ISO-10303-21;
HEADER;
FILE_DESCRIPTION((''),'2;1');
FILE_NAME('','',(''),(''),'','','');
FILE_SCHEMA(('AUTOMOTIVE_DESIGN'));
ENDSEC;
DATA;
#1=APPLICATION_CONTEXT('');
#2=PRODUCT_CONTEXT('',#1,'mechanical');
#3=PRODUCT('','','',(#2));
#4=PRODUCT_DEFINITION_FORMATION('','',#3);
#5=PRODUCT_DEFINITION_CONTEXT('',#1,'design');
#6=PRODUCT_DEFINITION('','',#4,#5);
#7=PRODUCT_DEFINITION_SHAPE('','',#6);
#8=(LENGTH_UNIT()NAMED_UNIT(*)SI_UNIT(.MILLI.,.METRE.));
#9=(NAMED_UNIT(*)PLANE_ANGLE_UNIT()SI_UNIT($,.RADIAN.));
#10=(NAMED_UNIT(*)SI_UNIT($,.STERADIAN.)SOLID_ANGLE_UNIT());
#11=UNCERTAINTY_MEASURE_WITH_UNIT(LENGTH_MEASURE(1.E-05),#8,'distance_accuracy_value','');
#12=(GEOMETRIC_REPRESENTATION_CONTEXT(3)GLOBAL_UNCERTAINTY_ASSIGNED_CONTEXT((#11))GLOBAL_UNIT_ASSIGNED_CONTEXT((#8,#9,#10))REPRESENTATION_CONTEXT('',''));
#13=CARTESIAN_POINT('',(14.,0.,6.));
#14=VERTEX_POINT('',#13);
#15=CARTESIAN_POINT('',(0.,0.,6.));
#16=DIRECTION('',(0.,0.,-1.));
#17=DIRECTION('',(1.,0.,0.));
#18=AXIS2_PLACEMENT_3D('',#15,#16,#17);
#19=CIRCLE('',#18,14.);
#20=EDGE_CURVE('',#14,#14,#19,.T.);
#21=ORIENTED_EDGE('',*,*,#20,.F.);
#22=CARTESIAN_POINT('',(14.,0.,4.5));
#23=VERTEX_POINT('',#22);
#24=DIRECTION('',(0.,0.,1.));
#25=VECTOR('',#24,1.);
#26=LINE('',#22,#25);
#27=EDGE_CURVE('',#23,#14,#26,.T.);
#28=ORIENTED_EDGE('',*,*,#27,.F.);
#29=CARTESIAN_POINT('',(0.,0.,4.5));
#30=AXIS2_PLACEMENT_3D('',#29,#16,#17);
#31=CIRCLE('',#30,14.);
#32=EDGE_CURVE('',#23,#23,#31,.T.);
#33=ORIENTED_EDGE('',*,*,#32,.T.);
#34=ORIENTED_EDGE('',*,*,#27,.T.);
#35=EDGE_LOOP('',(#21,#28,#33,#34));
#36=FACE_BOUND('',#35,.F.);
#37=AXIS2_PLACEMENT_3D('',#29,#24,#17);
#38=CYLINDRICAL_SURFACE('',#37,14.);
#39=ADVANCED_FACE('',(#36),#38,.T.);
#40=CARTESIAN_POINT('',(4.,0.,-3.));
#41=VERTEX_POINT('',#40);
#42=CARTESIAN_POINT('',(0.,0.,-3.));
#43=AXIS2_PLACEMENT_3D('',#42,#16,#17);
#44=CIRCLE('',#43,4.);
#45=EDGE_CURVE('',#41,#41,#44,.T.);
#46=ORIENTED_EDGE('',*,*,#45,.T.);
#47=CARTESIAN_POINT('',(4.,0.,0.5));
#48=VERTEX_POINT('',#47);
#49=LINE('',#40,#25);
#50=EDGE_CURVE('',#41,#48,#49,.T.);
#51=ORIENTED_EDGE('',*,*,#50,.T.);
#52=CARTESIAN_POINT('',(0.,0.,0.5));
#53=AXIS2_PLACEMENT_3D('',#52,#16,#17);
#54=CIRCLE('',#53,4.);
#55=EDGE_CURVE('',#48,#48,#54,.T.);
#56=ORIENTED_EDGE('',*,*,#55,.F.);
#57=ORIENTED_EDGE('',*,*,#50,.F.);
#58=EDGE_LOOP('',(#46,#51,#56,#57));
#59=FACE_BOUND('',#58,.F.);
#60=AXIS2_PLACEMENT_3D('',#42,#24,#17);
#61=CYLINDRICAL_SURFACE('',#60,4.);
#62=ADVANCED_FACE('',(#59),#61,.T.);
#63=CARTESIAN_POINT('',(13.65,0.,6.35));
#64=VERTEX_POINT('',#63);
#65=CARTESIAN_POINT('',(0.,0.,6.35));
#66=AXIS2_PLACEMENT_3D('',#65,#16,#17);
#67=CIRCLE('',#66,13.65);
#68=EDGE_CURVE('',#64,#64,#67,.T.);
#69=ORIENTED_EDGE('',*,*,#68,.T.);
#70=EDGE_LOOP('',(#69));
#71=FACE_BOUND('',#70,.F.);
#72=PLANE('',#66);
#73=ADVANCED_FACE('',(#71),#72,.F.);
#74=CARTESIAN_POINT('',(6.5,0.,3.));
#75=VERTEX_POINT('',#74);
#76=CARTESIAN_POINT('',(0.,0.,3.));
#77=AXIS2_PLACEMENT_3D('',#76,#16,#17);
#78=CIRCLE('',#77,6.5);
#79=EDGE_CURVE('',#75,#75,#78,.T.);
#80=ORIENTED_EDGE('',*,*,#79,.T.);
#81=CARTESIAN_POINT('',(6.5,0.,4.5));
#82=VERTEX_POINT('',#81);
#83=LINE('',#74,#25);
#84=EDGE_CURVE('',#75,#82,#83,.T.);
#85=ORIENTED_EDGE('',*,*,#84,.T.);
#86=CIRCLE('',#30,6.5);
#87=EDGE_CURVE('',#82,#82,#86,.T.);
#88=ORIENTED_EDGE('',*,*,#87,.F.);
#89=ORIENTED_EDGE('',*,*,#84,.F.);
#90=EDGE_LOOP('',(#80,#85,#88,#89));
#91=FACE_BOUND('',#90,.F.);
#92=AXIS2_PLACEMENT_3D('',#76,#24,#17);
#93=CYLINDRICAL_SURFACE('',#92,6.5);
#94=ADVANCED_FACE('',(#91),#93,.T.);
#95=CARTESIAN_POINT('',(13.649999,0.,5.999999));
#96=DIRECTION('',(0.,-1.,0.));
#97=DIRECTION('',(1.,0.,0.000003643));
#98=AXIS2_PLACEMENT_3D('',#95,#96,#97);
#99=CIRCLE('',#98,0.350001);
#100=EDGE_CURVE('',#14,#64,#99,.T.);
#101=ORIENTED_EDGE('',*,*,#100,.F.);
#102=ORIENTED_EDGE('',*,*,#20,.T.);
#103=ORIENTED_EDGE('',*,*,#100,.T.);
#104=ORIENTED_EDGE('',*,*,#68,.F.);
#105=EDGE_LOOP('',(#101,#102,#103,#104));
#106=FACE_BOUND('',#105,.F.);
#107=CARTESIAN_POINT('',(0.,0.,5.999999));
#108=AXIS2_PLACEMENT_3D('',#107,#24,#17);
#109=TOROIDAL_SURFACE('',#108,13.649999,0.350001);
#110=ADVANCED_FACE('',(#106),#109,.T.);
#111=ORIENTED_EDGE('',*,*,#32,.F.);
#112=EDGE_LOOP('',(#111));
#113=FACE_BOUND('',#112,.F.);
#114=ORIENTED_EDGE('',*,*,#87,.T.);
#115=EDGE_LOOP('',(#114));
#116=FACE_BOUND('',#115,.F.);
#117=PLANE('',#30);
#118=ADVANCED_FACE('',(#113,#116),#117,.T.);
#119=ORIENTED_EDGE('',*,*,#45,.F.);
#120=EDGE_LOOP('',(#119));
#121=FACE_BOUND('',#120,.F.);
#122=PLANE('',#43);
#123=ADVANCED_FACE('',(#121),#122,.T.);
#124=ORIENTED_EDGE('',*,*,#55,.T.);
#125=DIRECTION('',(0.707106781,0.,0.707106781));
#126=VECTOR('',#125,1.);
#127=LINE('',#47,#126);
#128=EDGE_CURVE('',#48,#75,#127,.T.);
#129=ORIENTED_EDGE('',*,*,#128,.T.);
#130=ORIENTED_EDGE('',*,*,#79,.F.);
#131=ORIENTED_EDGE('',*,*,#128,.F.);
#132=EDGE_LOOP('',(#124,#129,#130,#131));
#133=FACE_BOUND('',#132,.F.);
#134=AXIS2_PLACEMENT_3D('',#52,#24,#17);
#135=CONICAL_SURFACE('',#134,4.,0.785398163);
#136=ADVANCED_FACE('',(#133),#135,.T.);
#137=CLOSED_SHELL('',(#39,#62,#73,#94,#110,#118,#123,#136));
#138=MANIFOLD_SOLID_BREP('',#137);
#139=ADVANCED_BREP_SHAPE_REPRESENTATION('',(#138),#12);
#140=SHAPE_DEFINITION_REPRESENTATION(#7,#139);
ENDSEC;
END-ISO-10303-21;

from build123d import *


with BuildPart() as f1:
    # F0 (on Front) → F1 (revolve)
    with BuildSketch(Plane.XZ):
        with BuildLine():
            Line((4, -3), (4, 0.5))
            Line((4, 0.5), (6.5, 3))
            Line((6.5, 3), (6.5, 4.5))
            Line((6.5, 4.5), (14, 4.5))
            Line((14, 4.5), (14, 6))
            ThreePointArc((14, 6), (13.897487, 6.247487), (13.65, 6.35))
            Line((13.65, 6.35), (0, 6.35))
            Line((0, 6.35), (0, -3))
            Line((0, -3), (4, -3))
        make_face()
    revolve(axis=Axis((0, 0, 1.675), (0, 0, -1)))


solid = f1.part
